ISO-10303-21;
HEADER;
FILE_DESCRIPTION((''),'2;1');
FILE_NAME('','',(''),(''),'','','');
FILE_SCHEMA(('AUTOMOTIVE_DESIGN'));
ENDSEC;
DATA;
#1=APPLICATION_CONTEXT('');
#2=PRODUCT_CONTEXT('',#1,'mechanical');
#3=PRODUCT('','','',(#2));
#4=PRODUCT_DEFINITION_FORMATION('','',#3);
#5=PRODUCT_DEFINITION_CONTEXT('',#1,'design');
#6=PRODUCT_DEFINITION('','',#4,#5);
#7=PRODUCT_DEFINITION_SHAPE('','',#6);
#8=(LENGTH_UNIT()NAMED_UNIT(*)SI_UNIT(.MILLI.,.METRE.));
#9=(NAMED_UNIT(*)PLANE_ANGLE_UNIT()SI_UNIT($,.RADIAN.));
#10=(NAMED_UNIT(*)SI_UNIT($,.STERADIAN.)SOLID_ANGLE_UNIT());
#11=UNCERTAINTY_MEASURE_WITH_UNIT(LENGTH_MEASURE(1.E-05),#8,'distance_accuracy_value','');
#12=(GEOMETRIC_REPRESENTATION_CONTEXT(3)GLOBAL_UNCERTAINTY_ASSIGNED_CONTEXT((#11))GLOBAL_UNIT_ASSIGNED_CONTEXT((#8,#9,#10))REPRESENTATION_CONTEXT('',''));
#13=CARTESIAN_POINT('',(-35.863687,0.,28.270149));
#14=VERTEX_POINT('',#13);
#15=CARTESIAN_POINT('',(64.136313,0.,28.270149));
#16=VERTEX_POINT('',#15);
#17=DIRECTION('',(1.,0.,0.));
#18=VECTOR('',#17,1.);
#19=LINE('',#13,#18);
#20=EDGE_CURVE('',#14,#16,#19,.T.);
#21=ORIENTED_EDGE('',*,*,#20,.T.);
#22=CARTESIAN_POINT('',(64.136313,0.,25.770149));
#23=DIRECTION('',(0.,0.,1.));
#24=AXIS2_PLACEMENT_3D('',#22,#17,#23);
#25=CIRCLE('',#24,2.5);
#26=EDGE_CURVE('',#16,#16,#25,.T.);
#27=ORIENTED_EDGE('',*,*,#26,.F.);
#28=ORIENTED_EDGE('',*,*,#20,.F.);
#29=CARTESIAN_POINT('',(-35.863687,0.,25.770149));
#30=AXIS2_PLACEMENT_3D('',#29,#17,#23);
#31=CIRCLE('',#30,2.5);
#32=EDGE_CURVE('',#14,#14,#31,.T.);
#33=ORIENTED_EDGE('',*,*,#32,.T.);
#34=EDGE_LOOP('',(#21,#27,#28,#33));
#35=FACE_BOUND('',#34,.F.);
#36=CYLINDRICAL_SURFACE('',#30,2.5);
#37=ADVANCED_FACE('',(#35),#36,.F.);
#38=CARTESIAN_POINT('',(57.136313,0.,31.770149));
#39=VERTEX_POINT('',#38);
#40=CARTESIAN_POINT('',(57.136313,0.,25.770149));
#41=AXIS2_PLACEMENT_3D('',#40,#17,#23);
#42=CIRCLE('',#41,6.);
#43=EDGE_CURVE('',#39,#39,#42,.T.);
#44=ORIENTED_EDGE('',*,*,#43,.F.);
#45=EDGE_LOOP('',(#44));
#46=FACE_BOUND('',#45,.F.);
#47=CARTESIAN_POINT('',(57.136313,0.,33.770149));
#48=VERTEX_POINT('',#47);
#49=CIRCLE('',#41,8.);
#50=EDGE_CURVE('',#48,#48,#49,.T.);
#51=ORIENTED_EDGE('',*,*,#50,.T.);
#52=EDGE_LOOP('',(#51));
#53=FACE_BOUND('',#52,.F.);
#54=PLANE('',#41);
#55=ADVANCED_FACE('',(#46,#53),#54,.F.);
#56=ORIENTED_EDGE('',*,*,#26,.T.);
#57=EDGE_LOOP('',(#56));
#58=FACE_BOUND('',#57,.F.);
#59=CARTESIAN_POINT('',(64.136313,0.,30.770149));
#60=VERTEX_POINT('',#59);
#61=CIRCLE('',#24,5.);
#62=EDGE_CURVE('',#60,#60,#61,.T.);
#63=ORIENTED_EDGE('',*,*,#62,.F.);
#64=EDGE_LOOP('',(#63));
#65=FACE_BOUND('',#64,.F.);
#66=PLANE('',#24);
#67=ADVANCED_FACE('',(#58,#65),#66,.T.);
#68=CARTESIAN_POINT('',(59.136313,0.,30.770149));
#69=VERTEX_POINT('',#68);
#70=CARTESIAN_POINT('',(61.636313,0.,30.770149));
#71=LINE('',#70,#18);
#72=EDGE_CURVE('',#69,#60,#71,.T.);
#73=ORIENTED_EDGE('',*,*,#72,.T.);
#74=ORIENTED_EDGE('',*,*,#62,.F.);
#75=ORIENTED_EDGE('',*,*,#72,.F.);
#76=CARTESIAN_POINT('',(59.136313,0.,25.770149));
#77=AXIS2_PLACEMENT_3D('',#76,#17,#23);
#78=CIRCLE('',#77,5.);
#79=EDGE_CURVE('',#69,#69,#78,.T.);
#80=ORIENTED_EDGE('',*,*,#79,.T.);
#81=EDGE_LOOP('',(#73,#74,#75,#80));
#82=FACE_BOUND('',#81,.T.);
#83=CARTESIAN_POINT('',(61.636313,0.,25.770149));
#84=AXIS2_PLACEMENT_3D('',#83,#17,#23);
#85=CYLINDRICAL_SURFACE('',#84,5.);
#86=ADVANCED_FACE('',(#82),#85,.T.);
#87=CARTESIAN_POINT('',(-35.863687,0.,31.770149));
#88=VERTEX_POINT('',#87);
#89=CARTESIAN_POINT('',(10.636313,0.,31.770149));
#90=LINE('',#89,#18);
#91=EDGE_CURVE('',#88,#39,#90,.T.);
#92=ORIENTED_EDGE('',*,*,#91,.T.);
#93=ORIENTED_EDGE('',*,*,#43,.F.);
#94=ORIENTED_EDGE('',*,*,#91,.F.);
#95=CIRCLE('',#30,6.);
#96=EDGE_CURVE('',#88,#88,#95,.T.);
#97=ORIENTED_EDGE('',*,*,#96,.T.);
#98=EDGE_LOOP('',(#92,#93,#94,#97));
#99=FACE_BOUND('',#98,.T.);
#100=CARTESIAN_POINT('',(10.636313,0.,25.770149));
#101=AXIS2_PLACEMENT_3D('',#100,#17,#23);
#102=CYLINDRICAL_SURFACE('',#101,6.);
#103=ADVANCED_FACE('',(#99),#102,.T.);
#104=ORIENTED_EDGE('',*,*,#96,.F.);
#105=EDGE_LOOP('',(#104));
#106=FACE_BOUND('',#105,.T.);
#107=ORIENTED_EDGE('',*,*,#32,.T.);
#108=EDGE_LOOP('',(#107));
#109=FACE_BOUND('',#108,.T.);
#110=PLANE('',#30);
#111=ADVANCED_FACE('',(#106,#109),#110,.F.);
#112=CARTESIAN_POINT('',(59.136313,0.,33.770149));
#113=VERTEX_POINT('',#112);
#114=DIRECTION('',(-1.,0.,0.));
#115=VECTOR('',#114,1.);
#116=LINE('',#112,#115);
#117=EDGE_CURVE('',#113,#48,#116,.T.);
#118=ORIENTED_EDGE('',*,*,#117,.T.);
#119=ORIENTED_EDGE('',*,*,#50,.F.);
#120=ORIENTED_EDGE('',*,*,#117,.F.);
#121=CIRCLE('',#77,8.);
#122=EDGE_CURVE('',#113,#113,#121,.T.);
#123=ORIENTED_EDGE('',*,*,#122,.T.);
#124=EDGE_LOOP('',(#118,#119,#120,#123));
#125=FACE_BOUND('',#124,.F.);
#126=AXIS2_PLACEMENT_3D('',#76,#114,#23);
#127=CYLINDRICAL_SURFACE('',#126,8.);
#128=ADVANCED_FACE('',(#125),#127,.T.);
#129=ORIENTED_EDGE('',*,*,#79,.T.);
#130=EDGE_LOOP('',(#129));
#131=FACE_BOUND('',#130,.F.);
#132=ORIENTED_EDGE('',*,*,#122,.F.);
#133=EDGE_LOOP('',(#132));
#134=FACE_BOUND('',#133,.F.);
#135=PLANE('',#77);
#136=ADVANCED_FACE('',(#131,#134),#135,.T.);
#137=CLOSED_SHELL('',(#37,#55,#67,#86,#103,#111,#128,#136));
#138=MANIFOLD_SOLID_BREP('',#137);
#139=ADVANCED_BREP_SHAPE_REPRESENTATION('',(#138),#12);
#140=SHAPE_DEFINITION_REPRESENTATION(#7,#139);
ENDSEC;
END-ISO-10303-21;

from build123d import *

# Parameters (mm, degrees)
F0_W   = 93
F0_H   = 3.5
F0_W_2 = 5
F0_H_2 = 2.5


with BuildPart() as f1:
    # F0 (on Front) → F1 (revolve)
    with BuildSketch(Plane.XZ):
        with Locations((10.636313, 30.020149)):
            Rectangle(F0_W, F0_H)
        Polygon((57.136313, 31.770149), (57.136313, 28.270149), (59.136313, 28.270149), (59.136313, 30.770149), (59.136313, 33.770149), (57.136313, 33.770149), align=None)
        with Locations((61.636313, 29.520149)):
            Rectangle(F0_W_2, F0_H_2)
    revolve(axis=Axis((9.848064, 0, 25.770149), (1, 0, 0)))


solid = f1.part
